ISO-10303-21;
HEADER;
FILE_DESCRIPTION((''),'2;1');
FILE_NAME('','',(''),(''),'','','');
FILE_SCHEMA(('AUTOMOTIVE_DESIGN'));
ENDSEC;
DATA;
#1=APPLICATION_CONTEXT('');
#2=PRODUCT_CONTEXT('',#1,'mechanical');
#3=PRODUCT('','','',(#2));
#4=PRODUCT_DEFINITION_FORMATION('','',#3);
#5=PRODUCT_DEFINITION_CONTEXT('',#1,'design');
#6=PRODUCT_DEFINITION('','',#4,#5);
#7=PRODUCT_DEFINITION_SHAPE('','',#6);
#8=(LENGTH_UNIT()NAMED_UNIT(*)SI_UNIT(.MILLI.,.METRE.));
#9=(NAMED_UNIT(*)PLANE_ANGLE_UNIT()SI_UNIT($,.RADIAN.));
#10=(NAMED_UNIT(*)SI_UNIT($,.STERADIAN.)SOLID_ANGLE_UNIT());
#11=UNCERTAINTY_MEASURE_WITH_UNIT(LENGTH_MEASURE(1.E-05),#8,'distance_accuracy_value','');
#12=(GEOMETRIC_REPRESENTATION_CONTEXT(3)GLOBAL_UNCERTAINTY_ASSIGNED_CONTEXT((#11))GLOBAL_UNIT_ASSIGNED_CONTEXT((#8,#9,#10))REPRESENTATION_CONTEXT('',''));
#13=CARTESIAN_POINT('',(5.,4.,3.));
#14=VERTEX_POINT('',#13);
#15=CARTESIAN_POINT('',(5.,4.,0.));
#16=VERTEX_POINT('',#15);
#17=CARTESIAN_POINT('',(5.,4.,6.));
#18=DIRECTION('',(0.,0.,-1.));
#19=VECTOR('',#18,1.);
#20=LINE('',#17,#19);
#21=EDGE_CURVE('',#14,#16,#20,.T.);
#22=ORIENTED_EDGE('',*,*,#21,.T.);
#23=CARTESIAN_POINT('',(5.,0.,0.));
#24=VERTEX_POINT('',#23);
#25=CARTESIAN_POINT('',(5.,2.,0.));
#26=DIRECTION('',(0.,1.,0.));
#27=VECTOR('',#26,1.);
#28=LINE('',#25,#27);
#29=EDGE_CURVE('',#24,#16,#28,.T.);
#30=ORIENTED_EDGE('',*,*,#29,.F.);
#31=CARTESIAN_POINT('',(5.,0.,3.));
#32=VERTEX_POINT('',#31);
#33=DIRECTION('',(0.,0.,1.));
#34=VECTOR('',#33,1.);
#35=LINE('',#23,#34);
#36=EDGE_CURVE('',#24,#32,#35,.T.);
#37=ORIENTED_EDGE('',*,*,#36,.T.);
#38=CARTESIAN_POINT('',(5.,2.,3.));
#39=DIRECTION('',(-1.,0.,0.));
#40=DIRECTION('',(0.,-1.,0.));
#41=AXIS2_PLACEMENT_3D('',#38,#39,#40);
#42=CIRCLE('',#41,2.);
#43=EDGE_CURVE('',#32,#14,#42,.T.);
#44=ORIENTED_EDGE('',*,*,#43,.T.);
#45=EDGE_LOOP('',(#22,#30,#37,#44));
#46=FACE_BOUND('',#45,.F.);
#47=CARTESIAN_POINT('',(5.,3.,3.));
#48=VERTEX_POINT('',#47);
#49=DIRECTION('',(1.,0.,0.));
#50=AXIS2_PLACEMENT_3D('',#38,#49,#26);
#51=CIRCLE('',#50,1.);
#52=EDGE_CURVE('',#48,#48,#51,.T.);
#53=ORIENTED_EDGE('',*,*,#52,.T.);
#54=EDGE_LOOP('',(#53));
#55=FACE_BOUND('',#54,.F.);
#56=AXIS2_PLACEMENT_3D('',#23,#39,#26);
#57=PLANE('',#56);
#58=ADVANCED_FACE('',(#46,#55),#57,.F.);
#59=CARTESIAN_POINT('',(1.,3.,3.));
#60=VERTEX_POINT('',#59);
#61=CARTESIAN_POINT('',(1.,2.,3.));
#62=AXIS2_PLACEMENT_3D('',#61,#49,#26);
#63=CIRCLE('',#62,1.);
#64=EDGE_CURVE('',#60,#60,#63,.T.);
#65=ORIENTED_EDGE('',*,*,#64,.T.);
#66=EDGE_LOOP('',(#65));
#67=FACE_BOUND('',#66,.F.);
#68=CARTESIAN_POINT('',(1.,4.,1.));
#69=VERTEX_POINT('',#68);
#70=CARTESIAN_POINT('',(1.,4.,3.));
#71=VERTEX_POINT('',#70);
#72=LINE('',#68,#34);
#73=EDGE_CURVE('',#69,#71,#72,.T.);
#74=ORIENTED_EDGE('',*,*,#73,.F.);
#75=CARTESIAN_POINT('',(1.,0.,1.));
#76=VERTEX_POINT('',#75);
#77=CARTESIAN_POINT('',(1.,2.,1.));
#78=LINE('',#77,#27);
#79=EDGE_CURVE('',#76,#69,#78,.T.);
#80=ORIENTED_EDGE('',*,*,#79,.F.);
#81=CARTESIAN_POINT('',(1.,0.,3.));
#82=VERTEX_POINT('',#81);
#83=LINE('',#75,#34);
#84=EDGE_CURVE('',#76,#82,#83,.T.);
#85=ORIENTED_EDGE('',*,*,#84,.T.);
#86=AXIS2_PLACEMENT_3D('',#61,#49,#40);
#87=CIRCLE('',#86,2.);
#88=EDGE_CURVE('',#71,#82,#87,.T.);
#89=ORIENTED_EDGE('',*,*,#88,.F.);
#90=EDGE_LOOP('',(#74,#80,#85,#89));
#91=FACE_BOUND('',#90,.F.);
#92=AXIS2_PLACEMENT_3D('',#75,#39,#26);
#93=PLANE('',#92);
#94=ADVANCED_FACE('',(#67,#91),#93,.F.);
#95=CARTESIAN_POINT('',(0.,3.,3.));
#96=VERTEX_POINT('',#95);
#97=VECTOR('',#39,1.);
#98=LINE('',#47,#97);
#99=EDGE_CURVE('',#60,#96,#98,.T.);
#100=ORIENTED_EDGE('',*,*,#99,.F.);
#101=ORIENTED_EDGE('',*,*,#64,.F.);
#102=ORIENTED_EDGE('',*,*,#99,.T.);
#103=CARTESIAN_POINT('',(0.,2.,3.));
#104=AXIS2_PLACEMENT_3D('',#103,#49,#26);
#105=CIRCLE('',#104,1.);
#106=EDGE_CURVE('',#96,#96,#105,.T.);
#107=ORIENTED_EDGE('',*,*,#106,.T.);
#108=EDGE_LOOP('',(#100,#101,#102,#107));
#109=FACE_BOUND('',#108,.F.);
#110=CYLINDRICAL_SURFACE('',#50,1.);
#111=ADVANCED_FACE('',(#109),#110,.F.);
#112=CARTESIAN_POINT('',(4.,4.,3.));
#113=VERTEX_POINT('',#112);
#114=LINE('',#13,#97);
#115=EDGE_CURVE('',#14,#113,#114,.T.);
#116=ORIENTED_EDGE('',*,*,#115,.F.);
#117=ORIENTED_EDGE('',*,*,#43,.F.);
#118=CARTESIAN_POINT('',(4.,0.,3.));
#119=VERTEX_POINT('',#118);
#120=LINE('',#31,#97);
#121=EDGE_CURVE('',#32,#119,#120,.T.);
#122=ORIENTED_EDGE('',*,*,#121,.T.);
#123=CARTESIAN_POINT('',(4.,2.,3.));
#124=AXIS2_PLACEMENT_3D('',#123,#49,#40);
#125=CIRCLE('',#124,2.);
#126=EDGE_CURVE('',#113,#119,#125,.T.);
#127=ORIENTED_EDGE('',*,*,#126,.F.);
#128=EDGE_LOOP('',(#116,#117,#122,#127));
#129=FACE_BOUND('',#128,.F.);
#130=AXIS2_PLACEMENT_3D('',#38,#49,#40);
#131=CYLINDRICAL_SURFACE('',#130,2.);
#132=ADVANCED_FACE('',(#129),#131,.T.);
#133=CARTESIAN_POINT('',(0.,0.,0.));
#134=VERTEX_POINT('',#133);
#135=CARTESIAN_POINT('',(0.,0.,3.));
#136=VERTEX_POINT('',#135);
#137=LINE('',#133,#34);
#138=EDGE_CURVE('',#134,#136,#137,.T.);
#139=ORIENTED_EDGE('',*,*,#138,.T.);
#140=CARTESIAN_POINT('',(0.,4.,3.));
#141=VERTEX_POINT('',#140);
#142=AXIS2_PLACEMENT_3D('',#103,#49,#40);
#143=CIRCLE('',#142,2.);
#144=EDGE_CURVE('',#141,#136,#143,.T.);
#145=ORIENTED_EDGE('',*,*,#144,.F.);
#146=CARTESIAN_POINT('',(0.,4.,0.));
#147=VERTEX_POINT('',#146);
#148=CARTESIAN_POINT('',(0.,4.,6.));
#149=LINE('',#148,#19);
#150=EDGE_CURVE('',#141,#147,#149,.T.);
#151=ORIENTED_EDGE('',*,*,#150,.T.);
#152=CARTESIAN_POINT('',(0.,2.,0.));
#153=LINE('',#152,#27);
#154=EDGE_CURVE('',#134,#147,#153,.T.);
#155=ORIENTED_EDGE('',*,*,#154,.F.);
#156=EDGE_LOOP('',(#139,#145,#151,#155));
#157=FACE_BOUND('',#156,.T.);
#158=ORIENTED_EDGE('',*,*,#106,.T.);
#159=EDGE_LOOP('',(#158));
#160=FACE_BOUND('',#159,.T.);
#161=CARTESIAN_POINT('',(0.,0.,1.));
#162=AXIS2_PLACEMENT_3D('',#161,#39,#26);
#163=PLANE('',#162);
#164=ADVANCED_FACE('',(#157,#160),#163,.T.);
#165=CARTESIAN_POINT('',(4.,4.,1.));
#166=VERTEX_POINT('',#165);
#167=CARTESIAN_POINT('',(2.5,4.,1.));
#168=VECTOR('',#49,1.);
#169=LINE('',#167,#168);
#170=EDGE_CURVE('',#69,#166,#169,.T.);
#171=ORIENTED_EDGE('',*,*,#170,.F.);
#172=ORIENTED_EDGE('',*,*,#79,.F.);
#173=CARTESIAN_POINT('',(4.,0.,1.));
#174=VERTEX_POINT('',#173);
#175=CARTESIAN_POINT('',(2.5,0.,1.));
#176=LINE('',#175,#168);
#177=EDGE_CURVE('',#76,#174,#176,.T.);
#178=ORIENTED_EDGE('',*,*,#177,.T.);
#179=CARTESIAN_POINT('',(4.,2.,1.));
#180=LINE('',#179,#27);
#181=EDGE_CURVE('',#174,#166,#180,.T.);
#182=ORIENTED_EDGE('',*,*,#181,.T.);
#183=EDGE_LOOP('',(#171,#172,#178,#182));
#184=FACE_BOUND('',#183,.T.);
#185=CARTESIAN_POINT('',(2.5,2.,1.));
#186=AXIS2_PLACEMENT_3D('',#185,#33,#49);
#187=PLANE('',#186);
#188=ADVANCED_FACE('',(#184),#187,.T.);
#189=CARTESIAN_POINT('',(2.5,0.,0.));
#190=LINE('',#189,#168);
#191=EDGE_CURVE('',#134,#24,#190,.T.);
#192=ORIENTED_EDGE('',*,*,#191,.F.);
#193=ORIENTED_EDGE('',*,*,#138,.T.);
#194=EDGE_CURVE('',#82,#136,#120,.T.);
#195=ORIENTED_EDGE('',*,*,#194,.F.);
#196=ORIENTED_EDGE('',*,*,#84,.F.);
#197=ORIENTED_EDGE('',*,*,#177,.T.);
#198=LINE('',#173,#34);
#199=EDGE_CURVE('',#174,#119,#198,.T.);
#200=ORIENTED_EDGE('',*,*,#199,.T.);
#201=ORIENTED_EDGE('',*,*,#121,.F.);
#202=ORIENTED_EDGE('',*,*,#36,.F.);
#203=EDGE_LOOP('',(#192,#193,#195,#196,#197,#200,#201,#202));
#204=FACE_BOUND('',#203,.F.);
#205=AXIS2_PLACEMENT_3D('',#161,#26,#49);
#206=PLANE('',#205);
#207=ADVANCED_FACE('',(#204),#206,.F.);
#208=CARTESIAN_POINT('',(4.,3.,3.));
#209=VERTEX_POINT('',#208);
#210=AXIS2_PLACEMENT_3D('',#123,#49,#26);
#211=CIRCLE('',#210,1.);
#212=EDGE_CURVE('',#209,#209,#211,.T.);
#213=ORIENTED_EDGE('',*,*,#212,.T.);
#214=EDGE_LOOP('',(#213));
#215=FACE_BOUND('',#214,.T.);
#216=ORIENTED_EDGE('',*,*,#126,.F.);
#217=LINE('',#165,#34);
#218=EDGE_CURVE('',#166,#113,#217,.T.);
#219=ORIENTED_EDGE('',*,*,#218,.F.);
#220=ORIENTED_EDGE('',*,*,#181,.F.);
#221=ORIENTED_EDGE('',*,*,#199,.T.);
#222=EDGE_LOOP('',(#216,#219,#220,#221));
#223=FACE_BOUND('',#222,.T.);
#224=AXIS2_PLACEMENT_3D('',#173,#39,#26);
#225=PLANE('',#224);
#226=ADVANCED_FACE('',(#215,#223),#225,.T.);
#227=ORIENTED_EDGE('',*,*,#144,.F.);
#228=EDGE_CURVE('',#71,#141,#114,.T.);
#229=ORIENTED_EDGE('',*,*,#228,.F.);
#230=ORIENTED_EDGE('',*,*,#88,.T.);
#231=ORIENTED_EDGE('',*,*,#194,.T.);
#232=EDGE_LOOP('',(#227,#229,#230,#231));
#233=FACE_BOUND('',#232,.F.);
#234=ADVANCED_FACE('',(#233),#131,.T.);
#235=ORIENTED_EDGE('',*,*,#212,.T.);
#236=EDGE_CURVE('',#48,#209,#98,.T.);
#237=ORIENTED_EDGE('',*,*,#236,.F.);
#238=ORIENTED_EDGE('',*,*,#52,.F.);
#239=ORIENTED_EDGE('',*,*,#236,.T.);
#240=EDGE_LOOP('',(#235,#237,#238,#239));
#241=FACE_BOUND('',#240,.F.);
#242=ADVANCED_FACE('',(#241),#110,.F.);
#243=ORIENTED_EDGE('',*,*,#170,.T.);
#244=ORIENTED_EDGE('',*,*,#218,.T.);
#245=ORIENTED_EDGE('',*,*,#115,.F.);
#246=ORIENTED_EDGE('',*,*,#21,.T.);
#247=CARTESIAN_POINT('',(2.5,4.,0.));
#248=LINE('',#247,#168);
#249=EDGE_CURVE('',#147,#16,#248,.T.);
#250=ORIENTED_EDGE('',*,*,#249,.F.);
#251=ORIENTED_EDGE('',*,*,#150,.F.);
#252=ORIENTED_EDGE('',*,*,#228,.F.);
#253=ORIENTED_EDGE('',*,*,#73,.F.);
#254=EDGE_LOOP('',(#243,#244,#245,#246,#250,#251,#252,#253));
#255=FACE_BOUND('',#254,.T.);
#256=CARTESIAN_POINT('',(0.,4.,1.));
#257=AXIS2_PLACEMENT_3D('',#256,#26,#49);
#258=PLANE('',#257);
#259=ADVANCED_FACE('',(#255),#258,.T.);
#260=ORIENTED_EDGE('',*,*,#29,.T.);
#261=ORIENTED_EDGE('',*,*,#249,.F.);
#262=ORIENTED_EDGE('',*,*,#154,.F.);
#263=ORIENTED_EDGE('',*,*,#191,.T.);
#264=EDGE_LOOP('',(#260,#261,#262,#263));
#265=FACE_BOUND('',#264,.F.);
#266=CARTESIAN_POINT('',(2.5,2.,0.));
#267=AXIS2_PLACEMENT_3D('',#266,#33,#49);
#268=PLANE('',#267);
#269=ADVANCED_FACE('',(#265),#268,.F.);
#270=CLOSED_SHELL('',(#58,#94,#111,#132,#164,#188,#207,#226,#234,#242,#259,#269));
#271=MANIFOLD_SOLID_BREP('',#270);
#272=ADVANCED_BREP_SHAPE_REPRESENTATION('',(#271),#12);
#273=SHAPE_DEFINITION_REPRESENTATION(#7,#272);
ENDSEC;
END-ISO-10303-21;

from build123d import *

# Parameters (mm, degrees)
F0_W     = 5
F0_H     = 4
F1_DEPTH = 1
F2_W     = 1
F2_H     = 4
F3_DEPTH = 5
F5_DEPTH = 25
F4_R     = 1
F6_DEPTH = 25


with BuildPart() as f1:
    # F0 (on Top) → F1 (new body)
    with BuildSketch(Plane.XY):
        with Locations((2.5, 2)):
            Rectangle(F0_W, F0_H)
    extrude(amount=F1_DEPTH)

    # F2 (on face) → F3 (join)
    with BuildSketch(Plane.XY.offset(1)):
        with Locations((0.5, 2)):
            Rectangle(F2_W, F2_H)
        with Locations((4.5, 2)):
            Rectangle(F2_W, F2_H)
    extrude(amount=F3_DEPTH)

    # F4 (on face) → F5 (cut)
    with BuildSketch(Plane.YZ.offset(5)):
        with BuildLine():
            Line((0, 6), (0, 3))
            ThreePointArc((0, 3), (2, 5), (4, 3))
            Line((4, 3), (4, 6))
            Line((4, 6), (0, 6))
        make_face()
    extrude(amount=-F5_DEPTH, mode=Mode.SUBTRACT)

    # F4 (on face) → F6 (cut)
    with BuildSketch(Plane.YZ.offset(5)):
        with Locations((2, 3)):
            Circle(F4_R)
    extrude(amount=-F6_DEPTH, mode=Mode.SUBTRACT)


solid = f1.part
